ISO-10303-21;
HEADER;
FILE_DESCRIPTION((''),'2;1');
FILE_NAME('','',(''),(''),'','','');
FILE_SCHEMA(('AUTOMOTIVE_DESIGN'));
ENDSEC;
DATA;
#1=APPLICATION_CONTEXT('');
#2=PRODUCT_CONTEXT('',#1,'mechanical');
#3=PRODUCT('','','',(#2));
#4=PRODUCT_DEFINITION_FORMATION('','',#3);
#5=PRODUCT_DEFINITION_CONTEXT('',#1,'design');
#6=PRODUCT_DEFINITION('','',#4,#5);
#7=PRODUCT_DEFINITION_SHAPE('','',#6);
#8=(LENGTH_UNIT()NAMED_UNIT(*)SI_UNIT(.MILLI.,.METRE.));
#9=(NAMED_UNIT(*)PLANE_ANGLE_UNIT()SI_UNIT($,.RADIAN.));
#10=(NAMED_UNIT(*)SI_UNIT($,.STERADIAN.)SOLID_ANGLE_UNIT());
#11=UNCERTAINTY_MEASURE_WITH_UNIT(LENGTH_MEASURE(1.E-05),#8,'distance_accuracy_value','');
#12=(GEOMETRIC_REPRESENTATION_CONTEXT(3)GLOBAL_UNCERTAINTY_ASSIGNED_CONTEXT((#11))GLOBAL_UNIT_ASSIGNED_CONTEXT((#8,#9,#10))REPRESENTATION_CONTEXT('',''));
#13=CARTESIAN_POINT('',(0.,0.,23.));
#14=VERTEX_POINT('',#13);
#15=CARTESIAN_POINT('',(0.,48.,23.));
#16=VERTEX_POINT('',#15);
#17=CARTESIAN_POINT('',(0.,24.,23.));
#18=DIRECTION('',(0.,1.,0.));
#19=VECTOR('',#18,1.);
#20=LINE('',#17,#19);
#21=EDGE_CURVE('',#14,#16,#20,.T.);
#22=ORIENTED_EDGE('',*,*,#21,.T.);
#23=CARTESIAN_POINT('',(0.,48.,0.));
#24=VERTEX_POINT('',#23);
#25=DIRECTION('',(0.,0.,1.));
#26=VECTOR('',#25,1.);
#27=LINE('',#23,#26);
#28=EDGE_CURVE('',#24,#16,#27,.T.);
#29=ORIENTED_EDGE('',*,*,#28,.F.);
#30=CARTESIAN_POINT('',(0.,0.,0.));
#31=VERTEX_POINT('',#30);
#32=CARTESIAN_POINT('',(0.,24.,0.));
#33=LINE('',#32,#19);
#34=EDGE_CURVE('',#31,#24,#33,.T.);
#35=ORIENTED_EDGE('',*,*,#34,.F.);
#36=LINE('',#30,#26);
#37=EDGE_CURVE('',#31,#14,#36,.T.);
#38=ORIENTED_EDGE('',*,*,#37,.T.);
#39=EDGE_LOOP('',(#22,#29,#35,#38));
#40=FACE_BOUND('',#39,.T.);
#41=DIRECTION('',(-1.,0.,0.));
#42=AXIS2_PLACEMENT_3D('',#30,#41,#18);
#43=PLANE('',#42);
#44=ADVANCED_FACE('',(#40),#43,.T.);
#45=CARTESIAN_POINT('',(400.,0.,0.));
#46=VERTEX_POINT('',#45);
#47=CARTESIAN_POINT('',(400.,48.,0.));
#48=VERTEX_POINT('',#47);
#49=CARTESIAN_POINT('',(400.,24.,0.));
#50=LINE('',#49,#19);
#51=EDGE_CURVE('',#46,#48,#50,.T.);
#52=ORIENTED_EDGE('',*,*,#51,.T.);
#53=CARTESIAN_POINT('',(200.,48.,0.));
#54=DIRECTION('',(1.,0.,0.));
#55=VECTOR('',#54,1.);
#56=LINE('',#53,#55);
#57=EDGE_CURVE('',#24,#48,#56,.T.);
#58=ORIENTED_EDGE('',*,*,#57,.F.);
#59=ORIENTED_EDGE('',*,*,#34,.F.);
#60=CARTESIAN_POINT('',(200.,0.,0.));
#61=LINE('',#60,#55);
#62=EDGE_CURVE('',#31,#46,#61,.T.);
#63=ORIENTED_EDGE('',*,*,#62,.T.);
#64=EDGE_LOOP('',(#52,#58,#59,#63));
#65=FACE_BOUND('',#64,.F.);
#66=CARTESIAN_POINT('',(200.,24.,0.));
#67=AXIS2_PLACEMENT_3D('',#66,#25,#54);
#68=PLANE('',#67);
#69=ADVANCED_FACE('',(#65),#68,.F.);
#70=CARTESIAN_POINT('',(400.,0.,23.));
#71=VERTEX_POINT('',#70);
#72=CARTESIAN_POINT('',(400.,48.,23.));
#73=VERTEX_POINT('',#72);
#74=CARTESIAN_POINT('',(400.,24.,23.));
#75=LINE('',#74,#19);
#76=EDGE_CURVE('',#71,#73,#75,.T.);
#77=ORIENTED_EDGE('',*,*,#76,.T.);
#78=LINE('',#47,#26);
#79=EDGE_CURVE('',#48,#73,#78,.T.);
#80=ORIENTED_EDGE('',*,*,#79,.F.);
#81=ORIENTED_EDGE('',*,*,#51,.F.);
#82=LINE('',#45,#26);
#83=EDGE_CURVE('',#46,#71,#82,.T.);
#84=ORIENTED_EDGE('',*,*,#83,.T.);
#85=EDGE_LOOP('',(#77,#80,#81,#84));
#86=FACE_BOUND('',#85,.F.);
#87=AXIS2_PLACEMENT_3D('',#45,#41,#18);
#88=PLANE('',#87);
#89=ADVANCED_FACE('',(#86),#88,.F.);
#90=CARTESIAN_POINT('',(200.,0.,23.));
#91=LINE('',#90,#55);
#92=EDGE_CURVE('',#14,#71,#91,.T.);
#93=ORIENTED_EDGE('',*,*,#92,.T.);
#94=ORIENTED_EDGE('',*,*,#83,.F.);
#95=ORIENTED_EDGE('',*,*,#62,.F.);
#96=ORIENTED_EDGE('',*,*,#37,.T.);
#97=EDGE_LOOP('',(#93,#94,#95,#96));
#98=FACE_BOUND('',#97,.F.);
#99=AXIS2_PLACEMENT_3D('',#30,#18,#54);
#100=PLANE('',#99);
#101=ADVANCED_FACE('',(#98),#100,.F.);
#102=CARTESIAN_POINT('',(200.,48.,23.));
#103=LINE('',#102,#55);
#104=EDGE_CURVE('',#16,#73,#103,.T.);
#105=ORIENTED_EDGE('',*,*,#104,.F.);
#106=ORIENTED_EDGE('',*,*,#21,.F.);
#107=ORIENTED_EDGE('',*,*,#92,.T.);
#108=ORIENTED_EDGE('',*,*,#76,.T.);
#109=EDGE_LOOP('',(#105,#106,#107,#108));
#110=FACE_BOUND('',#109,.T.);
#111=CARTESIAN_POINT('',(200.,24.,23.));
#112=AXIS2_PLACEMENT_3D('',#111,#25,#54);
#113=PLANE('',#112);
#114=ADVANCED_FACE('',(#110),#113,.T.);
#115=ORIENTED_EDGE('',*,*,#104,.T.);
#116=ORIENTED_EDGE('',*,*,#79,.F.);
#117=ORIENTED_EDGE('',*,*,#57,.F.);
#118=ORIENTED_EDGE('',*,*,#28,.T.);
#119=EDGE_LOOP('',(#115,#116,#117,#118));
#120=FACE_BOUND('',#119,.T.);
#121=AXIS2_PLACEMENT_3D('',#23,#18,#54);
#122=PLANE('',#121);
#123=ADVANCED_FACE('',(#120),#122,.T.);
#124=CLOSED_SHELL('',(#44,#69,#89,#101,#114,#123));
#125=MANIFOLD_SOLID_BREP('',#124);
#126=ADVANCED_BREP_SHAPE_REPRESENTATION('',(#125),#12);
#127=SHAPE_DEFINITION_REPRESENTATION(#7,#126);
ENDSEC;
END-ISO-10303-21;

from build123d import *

# Parameters (mm, degrees)
BOX_W     = 400
BOX_H     = 48
BOX_DEPTH = 23


with BuildPart() as part:
    # Box → Box (new body)
    with BuildSketch(Plane.XY):
        with Locations((200, 24)):
            Rectangle(BOX_W, BOX_H)
    extrude(amount=BOX_DEPTH)


solid = part.part
